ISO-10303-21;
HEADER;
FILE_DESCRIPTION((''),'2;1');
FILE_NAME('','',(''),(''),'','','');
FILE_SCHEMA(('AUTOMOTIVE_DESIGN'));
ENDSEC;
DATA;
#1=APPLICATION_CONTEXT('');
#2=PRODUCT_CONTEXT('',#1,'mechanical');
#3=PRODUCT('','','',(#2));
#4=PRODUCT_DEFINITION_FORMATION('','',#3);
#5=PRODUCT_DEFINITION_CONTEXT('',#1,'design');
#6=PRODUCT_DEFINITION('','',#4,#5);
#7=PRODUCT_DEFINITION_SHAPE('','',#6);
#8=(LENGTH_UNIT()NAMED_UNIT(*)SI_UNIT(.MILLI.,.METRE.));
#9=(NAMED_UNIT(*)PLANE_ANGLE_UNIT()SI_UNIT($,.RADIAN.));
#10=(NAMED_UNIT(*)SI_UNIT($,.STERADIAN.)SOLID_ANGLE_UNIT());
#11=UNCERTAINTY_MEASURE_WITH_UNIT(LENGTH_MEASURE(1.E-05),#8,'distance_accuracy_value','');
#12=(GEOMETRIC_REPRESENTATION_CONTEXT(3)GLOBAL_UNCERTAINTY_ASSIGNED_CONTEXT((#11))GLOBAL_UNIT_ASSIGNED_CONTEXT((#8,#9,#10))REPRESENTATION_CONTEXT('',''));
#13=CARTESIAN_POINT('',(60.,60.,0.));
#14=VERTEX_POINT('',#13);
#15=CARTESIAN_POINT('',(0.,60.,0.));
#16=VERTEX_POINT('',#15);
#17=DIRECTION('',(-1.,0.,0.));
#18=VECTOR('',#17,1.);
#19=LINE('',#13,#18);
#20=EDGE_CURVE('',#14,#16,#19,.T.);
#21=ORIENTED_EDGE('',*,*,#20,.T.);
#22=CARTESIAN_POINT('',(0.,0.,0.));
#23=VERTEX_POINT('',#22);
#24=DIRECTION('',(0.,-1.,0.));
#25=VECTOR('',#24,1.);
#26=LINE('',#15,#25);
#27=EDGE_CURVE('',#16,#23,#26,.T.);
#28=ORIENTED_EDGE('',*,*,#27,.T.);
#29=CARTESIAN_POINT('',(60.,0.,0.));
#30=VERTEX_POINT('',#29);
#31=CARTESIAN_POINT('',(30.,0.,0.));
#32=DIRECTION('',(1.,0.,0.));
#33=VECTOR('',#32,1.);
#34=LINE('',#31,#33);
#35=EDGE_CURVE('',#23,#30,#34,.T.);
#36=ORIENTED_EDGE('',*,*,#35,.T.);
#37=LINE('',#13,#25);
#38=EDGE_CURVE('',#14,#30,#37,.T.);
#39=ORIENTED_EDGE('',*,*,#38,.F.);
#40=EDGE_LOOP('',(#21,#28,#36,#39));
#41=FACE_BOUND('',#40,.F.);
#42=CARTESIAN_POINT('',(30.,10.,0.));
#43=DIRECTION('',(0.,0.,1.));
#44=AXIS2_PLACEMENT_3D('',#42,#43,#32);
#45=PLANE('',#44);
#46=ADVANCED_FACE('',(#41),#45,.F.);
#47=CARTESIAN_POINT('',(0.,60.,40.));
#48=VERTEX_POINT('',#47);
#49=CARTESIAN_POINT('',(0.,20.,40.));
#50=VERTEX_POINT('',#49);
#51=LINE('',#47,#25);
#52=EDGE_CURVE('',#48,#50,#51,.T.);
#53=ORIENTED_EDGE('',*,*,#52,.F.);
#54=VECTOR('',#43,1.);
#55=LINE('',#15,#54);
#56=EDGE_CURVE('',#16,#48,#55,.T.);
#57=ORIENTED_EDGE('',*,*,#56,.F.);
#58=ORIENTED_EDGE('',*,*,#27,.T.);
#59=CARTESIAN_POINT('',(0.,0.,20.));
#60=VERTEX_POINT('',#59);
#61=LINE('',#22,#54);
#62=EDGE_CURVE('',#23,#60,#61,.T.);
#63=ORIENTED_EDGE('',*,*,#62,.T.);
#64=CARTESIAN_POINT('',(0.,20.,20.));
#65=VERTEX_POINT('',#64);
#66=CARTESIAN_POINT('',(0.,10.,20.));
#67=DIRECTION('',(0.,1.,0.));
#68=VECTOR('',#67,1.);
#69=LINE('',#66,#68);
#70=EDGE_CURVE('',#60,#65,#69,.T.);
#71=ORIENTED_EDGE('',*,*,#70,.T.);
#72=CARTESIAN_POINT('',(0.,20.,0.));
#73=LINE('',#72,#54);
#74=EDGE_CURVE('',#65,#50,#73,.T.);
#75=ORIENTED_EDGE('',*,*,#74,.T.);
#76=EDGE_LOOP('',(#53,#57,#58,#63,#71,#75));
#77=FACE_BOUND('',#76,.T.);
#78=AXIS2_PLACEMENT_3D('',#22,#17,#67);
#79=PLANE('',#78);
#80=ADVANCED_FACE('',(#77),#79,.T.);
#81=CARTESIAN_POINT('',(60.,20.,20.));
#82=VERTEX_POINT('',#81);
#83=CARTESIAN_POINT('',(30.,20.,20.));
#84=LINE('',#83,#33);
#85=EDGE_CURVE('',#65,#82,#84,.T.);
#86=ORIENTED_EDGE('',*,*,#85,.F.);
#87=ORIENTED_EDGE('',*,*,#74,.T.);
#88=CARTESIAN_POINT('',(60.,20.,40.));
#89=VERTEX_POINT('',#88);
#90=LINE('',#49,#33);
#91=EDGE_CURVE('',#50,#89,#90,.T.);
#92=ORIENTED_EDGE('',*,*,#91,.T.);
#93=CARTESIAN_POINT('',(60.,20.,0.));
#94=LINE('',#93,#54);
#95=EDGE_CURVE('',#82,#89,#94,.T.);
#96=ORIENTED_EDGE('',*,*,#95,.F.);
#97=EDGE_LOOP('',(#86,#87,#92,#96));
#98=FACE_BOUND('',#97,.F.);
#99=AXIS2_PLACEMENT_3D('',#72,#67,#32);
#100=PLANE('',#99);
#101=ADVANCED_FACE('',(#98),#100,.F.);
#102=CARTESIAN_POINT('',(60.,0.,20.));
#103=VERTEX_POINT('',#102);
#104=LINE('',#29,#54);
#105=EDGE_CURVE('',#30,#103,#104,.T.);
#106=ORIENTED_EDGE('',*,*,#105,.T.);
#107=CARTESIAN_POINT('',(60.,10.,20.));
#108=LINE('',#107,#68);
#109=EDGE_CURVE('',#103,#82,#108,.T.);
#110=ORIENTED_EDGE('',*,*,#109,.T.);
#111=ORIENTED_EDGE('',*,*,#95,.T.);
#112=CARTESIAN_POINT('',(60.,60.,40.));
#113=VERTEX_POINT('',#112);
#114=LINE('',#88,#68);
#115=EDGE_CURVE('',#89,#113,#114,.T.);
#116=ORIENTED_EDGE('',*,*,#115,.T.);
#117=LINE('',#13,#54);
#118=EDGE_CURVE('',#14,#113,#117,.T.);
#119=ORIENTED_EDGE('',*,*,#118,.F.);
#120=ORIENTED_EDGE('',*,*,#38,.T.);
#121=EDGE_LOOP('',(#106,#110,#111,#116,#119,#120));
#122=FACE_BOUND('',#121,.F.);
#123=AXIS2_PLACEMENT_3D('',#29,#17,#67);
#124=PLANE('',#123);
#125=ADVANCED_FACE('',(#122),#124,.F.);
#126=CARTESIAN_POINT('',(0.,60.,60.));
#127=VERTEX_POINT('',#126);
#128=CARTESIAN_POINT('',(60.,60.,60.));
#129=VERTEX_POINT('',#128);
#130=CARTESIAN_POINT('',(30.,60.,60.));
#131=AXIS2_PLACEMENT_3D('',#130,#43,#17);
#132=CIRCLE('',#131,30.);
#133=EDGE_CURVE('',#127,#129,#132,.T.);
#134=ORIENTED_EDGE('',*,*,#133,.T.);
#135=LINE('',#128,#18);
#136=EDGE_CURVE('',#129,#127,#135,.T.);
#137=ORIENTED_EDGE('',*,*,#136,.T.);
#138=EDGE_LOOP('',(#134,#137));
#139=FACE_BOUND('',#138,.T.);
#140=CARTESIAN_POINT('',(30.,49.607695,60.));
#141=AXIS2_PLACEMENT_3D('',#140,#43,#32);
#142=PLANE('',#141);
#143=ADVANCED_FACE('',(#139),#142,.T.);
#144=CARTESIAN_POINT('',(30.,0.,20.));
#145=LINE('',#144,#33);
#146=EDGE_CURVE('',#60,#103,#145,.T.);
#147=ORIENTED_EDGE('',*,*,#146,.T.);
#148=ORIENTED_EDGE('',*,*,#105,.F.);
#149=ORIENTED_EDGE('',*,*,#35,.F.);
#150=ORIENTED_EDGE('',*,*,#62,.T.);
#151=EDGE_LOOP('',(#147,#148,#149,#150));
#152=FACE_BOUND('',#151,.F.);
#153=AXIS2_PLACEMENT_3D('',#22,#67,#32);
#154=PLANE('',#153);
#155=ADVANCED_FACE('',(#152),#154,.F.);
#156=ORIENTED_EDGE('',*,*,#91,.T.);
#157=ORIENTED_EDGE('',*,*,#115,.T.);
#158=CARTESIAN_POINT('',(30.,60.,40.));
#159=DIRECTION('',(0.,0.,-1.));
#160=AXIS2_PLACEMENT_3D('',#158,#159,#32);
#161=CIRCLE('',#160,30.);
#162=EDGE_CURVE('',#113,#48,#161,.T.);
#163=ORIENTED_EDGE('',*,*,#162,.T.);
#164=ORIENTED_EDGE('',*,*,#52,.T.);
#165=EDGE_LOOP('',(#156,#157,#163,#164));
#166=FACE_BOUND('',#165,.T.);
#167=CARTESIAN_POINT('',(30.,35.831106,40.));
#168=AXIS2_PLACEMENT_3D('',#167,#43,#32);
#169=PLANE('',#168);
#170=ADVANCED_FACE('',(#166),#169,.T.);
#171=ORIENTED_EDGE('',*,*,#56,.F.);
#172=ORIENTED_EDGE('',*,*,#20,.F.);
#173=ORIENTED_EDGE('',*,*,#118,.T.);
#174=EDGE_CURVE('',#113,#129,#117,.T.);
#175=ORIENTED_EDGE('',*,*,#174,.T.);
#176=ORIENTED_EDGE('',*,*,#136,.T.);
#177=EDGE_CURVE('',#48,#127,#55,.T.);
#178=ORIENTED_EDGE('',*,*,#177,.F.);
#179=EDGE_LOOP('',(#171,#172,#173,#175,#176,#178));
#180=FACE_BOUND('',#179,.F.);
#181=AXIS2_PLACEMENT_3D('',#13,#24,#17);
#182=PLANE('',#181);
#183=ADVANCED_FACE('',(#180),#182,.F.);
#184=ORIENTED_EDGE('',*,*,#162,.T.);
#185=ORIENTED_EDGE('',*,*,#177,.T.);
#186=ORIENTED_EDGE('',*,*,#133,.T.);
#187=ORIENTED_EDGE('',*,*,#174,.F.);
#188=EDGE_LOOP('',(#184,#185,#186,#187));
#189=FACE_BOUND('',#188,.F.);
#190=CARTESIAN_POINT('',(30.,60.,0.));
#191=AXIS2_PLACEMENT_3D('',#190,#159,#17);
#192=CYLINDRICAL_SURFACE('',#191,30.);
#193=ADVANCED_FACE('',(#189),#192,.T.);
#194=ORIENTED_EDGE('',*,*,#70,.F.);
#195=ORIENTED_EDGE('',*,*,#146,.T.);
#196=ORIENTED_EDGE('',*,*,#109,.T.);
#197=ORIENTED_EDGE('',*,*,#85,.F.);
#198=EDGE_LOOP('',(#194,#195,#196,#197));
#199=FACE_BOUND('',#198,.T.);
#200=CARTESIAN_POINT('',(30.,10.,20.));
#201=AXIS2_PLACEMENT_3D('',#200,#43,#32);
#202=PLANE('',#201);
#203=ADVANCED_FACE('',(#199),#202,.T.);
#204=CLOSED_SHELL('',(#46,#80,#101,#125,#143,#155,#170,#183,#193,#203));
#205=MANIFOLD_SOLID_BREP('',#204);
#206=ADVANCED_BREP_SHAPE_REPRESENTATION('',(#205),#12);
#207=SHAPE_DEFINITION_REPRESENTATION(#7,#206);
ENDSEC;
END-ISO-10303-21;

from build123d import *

# Parameters (mm, degrees)
F1_DEPTH = 60
F2_DEPTH = 40
F0_W     = 60
F0_H     = 20
F3_DEPTH = 20


with BuildPart() as f1:
    # F0 (on Top) → F1 (new body)
    with BuildSketch(Plane.XY):
        with BuildLine():
            Line((60, 60), (0, 60))
            ThreePointArc((0, 60), (30, 30), (60, 60))
        make_face()
    extrude(amount=F1_DEPTH)

    # F0 (on Top) → F2 (join)
    with BuildSketch(Plane.XY):
        with BuildLine():
            Line((0, 60), (0, 20))
            Line((0, 20), (60, 20))
            Line((60, 20), (60, 60))
            ThreePointArc((60, 60), (30, 30), (0, 60))
        make_face()
    extrude(amount=F2_DEPTH)

    # F0 (on Top) → F3 (join)
    with BuildSketch(Plane.XY):
        with Locations((30, 10)):
            Rectangle(F0_W, F0_H)
    extrude(amount=F3_DEPTH)


solid = f1.part
